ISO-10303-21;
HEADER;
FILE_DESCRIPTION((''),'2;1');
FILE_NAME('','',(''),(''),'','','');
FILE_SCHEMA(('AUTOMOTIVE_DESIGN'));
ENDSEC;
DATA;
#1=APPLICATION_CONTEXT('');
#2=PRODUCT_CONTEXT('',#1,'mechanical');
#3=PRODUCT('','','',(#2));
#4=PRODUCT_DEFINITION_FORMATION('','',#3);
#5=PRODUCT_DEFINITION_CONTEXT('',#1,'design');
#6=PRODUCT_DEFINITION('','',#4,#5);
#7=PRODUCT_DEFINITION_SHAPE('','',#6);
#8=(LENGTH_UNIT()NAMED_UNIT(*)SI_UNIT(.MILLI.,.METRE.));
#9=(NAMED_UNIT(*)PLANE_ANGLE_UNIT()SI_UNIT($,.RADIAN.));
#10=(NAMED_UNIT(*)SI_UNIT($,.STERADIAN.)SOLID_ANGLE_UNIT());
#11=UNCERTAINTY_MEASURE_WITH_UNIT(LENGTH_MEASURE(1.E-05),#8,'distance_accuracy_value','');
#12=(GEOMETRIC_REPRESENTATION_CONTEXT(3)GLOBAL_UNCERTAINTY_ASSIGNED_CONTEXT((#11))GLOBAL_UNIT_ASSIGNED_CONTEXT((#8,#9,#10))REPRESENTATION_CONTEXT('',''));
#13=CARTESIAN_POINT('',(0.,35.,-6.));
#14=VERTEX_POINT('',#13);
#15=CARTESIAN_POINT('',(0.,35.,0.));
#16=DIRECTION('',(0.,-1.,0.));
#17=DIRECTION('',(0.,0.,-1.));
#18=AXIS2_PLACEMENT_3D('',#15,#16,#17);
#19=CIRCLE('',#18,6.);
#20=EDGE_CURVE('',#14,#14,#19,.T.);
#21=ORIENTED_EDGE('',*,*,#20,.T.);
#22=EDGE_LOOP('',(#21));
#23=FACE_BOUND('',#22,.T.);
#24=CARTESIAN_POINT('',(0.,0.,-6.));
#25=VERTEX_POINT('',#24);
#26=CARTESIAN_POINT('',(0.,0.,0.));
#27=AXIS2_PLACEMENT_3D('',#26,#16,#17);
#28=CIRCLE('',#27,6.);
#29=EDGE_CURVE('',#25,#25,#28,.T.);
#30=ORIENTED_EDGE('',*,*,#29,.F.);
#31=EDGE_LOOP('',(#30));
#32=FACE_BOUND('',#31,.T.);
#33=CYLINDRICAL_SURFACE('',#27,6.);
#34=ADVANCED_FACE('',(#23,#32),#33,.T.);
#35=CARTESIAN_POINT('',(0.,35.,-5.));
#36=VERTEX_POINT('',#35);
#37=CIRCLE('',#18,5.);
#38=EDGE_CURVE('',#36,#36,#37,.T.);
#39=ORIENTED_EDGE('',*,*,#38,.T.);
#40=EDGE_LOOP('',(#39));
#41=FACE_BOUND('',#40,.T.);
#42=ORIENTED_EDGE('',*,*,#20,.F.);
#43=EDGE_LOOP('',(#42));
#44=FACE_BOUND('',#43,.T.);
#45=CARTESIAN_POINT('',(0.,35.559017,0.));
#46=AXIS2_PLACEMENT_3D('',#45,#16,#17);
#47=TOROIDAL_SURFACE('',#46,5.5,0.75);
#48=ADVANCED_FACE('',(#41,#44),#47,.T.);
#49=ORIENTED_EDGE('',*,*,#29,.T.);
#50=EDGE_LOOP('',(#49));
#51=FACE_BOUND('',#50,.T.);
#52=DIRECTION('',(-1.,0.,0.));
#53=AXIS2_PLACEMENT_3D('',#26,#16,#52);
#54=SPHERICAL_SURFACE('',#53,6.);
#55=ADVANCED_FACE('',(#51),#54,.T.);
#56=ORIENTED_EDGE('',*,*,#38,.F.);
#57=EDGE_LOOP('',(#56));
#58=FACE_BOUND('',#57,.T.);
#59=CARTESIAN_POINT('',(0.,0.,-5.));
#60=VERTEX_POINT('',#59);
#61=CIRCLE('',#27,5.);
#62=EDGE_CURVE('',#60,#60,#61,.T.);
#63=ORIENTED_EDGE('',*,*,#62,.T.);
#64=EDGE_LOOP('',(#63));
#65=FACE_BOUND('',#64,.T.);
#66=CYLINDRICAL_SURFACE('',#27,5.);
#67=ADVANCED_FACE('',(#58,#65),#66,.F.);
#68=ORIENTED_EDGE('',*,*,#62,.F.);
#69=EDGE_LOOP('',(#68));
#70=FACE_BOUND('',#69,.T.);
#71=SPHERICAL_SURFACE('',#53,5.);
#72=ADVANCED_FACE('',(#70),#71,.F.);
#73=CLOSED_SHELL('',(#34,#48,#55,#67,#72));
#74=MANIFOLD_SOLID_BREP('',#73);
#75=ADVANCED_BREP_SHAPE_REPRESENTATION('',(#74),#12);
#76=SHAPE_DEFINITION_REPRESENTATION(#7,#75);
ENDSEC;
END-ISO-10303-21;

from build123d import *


with BuildPart() as part:
    # Sketch1 → Revolve1 (revolve)
    with BuildSketch(Plane.XY, mode=Mode.PRIVATE) as revolve1_sk:
        with BuildLine():
            ThreePointArc((5, -3.31662479), (5.744562647, -1.732050808), (6, 0))
            Line((6, 0), (6, 35))
            ThreePointArc((6, 35), (6.002835942, 36.115484437), (4.893341951, 36))
            ThreePointArc((4.893341951, 36), (4.754229922, 35.479474613), (5, 35))
            Line((5, 35), (5, 0))
            ThreePointArc((5, 0), (3.535533906, -3.535533906), (0, -5))
            Line((0, -5), (0, -6))
            ThreePointArc((0, -6), (2.837274331, -5.286764074), (5, -3.31662479))
        make_face()
    revolve(revolve1_sk.sketch.rotate(Axis((0, 0, 0), (0, 1, 0)), 90), axis=Axis((0, 0, 0), (0, 1, 0)))


solid = part.part
